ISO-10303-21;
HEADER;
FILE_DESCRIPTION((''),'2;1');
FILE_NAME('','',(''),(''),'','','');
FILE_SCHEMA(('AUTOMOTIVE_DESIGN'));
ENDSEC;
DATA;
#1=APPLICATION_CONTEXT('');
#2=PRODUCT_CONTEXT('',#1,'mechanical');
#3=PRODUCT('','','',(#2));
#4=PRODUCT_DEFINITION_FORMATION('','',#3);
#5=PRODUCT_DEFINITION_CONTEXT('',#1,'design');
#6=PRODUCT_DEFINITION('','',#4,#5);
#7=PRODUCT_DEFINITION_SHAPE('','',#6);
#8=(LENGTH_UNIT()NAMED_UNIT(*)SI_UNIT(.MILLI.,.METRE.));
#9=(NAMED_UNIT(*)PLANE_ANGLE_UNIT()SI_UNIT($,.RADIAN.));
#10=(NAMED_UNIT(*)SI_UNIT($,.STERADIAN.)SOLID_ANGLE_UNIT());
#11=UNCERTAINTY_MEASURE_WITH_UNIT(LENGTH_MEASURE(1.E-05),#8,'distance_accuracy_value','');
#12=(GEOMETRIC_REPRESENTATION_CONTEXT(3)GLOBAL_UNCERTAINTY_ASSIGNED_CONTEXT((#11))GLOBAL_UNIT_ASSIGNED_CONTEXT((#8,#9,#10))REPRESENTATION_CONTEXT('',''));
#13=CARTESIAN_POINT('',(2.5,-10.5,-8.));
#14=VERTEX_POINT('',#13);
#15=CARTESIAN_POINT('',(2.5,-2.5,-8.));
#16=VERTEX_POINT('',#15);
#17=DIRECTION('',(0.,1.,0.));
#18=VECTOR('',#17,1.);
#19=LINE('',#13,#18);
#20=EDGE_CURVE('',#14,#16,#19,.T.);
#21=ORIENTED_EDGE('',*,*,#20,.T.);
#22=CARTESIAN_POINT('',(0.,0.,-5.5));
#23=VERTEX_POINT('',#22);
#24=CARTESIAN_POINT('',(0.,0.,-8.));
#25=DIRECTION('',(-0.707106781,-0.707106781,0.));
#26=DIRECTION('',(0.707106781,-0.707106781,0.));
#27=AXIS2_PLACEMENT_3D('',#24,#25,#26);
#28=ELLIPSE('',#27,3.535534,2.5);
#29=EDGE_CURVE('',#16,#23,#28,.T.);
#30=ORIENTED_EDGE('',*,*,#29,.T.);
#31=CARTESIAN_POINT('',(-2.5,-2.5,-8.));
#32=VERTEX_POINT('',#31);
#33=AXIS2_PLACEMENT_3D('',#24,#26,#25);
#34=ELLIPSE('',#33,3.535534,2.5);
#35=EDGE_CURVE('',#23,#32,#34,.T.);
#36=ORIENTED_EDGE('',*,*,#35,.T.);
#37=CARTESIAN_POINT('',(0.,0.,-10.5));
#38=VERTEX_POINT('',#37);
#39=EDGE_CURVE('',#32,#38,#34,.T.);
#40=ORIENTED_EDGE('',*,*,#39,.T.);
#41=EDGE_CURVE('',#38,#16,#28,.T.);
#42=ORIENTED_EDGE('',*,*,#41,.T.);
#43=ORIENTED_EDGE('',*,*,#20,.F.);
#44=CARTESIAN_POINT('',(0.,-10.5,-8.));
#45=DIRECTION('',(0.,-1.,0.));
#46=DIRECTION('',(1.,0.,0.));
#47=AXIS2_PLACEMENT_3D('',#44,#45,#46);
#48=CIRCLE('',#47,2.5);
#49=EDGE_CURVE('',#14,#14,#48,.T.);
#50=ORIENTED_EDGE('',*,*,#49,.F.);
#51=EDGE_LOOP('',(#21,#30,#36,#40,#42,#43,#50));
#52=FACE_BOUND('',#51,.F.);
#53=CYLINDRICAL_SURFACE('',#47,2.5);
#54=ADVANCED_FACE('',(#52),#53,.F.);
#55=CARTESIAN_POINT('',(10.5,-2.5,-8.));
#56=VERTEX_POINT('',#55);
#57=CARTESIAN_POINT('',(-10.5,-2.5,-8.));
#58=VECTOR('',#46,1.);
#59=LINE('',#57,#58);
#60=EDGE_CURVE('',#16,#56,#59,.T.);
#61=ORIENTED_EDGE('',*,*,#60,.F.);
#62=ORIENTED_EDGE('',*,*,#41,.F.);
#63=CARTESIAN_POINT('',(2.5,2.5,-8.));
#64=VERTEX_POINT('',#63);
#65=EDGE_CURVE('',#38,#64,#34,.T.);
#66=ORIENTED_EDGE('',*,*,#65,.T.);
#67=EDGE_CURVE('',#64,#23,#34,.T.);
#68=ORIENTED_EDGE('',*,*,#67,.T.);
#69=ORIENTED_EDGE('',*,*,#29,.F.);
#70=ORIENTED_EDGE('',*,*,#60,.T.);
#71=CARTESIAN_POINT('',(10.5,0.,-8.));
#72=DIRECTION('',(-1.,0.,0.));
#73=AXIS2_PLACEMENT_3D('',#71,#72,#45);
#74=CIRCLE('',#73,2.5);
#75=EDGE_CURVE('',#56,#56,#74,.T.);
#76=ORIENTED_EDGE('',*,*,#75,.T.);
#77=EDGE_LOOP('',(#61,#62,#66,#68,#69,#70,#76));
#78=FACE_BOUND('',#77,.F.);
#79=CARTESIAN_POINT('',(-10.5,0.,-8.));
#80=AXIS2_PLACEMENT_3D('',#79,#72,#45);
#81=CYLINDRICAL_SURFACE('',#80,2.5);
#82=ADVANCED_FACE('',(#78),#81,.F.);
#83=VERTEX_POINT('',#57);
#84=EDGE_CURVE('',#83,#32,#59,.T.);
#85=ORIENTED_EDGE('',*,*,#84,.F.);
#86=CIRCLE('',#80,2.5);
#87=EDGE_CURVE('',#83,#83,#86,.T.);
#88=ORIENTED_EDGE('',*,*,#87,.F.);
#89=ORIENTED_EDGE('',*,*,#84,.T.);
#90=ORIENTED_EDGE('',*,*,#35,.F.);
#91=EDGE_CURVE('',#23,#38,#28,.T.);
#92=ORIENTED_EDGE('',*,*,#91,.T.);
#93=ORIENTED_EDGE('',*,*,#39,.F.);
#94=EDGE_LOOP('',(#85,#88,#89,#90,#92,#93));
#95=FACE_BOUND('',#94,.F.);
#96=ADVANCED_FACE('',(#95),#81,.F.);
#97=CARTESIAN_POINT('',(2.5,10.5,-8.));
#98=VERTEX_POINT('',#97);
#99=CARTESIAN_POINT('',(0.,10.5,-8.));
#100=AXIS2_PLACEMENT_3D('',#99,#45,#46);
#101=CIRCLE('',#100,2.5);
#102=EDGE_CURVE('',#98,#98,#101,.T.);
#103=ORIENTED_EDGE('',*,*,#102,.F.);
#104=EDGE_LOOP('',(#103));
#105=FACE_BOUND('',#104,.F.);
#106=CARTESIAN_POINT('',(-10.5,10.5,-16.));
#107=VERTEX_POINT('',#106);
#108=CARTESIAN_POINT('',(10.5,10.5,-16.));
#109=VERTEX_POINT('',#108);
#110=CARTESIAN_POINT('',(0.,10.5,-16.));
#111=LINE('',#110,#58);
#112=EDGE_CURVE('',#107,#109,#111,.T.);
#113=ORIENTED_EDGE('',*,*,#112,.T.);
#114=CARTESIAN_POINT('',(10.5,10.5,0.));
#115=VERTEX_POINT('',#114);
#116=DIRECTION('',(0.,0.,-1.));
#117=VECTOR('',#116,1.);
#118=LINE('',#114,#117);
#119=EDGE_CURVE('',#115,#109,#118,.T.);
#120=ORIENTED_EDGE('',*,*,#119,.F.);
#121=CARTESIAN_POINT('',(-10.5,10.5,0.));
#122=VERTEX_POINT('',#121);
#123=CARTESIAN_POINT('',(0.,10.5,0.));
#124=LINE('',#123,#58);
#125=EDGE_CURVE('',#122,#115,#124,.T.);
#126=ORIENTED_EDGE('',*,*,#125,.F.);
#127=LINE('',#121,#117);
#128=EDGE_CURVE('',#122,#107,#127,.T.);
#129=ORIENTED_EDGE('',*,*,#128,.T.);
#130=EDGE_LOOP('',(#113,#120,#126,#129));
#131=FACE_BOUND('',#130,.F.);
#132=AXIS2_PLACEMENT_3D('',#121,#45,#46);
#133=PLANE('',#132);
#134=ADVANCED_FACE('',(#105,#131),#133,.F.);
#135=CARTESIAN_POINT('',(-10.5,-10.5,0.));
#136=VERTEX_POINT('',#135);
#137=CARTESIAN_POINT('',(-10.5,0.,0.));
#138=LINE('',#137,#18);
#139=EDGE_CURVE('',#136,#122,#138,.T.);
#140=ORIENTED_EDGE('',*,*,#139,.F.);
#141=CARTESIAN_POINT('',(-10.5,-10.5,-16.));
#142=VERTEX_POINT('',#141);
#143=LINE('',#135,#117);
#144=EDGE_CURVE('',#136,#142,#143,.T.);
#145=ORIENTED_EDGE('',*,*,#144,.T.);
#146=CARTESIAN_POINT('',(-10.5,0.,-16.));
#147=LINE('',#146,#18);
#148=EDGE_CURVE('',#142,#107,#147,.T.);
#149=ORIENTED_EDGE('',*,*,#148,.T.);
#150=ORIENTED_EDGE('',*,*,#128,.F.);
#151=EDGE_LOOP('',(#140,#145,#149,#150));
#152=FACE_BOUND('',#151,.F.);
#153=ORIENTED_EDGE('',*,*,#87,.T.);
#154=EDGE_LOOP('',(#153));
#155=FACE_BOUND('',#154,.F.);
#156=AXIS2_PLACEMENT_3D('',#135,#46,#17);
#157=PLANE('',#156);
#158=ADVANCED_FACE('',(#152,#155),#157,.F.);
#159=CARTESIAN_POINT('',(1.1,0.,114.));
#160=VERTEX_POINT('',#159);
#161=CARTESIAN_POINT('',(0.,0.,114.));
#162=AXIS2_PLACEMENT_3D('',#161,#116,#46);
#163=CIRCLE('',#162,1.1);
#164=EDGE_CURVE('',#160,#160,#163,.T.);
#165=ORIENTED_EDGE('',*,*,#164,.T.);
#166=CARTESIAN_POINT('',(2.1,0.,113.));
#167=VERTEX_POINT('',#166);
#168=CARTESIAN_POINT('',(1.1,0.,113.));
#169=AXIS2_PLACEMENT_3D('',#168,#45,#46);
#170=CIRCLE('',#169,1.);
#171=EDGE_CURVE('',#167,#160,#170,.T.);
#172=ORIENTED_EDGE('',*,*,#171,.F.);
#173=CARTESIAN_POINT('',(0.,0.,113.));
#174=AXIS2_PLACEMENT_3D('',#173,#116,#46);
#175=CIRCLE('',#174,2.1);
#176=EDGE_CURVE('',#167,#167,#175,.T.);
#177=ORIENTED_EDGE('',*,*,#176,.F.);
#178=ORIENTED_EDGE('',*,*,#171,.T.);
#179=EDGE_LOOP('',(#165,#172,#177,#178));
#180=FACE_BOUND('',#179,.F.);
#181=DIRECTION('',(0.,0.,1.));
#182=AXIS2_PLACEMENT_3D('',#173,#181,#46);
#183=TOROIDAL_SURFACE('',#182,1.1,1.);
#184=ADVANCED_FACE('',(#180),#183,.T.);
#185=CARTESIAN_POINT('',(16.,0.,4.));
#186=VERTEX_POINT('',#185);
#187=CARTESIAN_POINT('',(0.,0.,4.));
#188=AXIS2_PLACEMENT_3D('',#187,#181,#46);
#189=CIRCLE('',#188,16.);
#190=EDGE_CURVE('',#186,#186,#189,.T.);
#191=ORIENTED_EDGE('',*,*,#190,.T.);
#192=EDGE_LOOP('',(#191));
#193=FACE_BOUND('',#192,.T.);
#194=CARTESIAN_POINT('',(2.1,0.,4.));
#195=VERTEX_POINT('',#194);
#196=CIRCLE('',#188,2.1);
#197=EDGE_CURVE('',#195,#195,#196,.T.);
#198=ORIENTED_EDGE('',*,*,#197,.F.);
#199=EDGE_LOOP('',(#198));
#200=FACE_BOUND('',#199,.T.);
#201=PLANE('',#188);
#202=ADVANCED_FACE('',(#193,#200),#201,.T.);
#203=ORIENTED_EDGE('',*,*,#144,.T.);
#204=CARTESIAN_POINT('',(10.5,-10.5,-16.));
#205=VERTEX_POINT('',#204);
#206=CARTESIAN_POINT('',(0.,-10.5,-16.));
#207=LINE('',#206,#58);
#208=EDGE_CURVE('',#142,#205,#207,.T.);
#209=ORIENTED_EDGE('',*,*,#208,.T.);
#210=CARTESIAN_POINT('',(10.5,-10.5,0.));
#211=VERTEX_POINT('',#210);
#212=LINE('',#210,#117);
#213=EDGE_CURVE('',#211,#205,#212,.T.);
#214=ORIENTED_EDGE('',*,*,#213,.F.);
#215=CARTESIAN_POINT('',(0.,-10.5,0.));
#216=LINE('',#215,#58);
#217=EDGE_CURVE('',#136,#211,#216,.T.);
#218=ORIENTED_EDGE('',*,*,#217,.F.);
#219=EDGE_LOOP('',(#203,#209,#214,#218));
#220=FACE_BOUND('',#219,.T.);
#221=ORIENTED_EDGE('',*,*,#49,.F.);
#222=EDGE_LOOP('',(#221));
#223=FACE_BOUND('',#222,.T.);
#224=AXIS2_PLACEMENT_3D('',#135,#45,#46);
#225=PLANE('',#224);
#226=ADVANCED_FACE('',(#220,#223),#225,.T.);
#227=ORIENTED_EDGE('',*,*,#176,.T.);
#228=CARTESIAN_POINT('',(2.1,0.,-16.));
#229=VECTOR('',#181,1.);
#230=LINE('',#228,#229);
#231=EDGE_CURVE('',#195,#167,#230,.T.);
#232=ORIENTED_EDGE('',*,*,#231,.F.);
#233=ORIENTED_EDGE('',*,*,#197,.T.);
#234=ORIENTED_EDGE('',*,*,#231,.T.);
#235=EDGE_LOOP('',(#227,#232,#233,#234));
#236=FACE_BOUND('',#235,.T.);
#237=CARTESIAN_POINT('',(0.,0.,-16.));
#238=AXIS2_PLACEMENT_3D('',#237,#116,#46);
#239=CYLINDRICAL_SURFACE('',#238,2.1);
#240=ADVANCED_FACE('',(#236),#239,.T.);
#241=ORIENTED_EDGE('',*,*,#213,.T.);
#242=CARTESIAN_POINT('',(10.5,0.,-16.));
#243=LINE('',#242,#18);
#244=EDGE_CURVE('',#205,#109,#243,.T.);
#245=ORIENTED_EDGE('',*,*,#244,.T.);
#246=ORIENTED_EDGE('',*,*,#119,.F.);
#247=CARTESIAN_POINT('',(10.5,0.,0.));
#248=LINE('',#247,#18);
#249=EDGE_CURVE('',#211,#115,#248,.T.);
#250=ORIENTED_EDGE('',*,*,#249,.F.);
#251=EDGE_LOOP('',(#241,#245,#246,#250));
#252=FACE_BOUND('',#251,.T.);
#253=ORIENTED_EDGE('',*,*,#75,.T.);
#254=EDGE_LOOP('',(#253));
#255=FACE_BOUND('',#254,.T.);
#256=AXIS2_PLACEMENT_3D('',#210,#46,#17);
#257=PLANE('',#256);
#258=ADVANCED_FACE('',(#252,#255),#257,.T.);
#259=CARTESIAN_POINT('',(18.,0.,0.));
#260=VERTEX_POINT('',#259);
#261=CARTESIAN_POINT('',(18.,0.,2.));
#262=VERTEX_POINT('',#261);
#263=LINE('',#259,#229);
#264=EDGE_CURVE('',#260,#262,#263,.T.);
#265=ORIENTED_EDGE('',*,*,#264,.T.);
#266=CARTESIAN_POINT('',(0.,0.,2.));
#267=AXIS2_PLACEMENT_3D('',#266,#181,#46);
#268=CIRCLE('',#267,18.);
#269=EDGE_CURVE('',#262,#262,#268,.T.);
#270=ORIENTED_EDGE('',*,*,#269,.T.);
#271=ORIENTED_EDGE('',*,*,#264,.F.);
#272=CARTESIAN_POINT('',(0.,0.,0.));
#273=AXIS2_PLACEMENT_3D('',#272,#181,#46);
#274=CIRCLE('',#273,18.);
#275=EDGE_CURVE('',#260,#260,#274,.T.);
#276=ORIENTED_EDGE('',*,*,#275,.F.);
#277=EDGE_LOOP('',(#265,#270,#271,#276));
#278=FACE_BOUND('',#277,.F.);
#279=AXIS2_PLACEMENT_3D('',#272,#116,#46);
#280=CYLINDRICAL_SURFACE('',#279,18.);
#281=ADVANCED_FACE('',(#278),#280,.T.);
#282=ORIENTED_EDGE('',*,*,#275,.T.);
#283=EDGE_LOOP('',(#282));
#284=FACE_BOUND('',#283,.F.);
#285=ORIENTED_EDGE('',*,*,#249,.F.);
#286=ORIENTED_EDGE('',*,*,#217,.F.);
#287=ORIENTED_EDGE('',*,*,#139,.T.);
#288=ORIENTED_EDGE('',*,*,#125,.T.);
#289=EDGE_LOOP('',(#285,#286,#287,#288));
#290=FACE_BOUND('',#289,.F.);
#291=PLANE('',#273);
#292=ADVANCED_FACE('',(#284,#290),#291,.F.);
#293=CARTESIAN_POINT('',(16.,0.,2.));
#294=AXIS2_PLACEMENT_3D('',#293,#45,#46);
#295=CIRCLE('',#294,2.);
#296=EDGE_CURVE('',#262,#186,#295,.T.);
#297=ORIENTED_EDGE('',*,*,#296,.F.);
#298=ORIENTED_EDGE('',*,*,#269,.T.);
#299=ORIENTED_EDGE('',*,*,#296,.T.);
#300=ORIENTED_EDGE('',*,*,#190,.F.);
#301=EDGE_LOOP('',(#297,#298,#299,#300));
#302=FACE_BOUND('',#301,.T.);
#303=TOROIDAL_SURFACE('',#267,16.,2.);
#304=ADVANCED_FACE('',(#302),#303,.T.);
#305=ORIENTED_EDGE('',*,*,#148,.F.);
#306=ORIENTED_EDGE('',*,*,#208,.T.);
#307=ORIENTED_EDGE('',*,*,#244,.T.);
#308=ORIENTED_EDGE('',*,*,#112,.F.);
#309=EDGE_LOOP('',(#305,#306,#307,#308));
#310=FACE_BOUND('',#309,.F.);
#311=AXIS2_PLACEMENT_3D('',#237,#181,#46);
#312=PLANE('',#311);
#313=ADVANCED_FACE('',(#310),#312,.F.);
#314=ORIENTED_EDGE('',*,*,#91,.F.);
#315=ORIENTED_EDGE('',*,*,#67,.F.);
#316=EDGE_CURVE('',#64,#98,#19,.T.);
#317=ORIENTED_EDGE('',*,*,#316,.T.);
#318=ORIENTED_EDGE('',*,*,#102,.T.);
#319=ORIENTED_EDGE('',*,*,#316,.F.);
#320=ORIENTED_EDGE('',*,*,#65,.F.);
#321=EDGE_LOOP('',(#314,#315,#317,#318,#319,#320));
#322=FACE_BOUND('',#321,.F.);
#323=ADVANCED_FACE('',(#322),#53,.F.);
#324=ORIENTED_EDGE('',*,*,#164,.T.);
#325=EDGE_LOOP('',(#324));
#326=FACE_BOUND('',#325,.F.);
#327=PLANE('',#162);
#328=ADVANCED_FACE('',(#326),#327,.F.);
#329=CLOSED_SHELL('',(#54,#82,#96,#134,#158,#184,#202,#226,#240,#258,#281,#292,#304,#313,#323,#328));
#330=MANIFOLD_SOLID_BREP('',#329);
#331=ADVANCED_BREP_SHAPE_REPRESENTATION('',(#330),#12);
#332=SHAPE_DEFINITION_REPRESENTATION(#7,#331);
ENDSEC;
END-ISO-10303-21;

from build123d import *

# Parameters (mm, degrees)
F0_R      = 18
F1_DEPTH  = 4
F2_W      = 21
F2_H      = 21
F3_DEPTH  = 16
F4_R      = 2.1
F5_DEPTH  = 20.001
F6_R      = 2
F7_R      = 2.1
F8_DEPTH  = 130
F9_R      = 1
F10_R     = 2.5
F11_DEPTH = 25
F12_R     = 2.5
F13_DEPTH = 25


with BuildPart() as f1:
    # F0 (on Top) → F1 (new body)
    with BuildSketch(Plane.XY):
        Circle(F0_R)
    extrude(amount=F1_DEPTH)

    # F2 (on Top) → F3 (join)
    with BuildSketch(Plane.XY):
        Rectangle(F2_W, F2_H)
    extrude(amount=-F3_DEPTH)

    # F4 (on face) → F5 (cut, through all)
    with BuildSketch(Plane.XY.offset(4)):
        Circle(F4_R)
    extrude(amount=-F5_DEPTH, mode=Mode.SUBTRACT)

    # F6
    f6_edges = [f1.edges().sort_by_distance(p)[0] for p in [
        (-18, 0, 4),
    ]]
    fillet(f6_edges, radius=F6_R)

    # F7 (on face) → F8 (join)
    with BuildSketch(Plane(origin=(0, 0, -16), x_dir=(1, 0, 0), z_dir=(0, 0, -1))):
        Circle(F7_R)
    extrude(amount=-F8_DEPTH)

    # F9
    f9_edges = [f1.edges().sort_by_distance(p)[0] for p in [
        (-2.1, 0, 114),
    ]]
    fillet(f9_edges, radius=F9_R)

    # F10 (on face) → F11 (cut)
    with BuildSketch(Plane.XZ.offset(10.5)):
        with Locations((0, -8)):
            Circle(F10_R)
    extrude(amount=-F11_DEPTH, mode=Mode.SUBTRACT)

    # F12 (on face) → F13 (cut)
    with BuildSketch(Plane(origin=(-10.5, 0, 0), x_dir=(0, -1, 0), z_dir=(-1, 0, 0))):
        with Locations((0, -8)):
            Circle(F12_R)
    extrude(amount=-F13_DEPTH, mode=Mode.SUBTRACT)


solid = f1.part
